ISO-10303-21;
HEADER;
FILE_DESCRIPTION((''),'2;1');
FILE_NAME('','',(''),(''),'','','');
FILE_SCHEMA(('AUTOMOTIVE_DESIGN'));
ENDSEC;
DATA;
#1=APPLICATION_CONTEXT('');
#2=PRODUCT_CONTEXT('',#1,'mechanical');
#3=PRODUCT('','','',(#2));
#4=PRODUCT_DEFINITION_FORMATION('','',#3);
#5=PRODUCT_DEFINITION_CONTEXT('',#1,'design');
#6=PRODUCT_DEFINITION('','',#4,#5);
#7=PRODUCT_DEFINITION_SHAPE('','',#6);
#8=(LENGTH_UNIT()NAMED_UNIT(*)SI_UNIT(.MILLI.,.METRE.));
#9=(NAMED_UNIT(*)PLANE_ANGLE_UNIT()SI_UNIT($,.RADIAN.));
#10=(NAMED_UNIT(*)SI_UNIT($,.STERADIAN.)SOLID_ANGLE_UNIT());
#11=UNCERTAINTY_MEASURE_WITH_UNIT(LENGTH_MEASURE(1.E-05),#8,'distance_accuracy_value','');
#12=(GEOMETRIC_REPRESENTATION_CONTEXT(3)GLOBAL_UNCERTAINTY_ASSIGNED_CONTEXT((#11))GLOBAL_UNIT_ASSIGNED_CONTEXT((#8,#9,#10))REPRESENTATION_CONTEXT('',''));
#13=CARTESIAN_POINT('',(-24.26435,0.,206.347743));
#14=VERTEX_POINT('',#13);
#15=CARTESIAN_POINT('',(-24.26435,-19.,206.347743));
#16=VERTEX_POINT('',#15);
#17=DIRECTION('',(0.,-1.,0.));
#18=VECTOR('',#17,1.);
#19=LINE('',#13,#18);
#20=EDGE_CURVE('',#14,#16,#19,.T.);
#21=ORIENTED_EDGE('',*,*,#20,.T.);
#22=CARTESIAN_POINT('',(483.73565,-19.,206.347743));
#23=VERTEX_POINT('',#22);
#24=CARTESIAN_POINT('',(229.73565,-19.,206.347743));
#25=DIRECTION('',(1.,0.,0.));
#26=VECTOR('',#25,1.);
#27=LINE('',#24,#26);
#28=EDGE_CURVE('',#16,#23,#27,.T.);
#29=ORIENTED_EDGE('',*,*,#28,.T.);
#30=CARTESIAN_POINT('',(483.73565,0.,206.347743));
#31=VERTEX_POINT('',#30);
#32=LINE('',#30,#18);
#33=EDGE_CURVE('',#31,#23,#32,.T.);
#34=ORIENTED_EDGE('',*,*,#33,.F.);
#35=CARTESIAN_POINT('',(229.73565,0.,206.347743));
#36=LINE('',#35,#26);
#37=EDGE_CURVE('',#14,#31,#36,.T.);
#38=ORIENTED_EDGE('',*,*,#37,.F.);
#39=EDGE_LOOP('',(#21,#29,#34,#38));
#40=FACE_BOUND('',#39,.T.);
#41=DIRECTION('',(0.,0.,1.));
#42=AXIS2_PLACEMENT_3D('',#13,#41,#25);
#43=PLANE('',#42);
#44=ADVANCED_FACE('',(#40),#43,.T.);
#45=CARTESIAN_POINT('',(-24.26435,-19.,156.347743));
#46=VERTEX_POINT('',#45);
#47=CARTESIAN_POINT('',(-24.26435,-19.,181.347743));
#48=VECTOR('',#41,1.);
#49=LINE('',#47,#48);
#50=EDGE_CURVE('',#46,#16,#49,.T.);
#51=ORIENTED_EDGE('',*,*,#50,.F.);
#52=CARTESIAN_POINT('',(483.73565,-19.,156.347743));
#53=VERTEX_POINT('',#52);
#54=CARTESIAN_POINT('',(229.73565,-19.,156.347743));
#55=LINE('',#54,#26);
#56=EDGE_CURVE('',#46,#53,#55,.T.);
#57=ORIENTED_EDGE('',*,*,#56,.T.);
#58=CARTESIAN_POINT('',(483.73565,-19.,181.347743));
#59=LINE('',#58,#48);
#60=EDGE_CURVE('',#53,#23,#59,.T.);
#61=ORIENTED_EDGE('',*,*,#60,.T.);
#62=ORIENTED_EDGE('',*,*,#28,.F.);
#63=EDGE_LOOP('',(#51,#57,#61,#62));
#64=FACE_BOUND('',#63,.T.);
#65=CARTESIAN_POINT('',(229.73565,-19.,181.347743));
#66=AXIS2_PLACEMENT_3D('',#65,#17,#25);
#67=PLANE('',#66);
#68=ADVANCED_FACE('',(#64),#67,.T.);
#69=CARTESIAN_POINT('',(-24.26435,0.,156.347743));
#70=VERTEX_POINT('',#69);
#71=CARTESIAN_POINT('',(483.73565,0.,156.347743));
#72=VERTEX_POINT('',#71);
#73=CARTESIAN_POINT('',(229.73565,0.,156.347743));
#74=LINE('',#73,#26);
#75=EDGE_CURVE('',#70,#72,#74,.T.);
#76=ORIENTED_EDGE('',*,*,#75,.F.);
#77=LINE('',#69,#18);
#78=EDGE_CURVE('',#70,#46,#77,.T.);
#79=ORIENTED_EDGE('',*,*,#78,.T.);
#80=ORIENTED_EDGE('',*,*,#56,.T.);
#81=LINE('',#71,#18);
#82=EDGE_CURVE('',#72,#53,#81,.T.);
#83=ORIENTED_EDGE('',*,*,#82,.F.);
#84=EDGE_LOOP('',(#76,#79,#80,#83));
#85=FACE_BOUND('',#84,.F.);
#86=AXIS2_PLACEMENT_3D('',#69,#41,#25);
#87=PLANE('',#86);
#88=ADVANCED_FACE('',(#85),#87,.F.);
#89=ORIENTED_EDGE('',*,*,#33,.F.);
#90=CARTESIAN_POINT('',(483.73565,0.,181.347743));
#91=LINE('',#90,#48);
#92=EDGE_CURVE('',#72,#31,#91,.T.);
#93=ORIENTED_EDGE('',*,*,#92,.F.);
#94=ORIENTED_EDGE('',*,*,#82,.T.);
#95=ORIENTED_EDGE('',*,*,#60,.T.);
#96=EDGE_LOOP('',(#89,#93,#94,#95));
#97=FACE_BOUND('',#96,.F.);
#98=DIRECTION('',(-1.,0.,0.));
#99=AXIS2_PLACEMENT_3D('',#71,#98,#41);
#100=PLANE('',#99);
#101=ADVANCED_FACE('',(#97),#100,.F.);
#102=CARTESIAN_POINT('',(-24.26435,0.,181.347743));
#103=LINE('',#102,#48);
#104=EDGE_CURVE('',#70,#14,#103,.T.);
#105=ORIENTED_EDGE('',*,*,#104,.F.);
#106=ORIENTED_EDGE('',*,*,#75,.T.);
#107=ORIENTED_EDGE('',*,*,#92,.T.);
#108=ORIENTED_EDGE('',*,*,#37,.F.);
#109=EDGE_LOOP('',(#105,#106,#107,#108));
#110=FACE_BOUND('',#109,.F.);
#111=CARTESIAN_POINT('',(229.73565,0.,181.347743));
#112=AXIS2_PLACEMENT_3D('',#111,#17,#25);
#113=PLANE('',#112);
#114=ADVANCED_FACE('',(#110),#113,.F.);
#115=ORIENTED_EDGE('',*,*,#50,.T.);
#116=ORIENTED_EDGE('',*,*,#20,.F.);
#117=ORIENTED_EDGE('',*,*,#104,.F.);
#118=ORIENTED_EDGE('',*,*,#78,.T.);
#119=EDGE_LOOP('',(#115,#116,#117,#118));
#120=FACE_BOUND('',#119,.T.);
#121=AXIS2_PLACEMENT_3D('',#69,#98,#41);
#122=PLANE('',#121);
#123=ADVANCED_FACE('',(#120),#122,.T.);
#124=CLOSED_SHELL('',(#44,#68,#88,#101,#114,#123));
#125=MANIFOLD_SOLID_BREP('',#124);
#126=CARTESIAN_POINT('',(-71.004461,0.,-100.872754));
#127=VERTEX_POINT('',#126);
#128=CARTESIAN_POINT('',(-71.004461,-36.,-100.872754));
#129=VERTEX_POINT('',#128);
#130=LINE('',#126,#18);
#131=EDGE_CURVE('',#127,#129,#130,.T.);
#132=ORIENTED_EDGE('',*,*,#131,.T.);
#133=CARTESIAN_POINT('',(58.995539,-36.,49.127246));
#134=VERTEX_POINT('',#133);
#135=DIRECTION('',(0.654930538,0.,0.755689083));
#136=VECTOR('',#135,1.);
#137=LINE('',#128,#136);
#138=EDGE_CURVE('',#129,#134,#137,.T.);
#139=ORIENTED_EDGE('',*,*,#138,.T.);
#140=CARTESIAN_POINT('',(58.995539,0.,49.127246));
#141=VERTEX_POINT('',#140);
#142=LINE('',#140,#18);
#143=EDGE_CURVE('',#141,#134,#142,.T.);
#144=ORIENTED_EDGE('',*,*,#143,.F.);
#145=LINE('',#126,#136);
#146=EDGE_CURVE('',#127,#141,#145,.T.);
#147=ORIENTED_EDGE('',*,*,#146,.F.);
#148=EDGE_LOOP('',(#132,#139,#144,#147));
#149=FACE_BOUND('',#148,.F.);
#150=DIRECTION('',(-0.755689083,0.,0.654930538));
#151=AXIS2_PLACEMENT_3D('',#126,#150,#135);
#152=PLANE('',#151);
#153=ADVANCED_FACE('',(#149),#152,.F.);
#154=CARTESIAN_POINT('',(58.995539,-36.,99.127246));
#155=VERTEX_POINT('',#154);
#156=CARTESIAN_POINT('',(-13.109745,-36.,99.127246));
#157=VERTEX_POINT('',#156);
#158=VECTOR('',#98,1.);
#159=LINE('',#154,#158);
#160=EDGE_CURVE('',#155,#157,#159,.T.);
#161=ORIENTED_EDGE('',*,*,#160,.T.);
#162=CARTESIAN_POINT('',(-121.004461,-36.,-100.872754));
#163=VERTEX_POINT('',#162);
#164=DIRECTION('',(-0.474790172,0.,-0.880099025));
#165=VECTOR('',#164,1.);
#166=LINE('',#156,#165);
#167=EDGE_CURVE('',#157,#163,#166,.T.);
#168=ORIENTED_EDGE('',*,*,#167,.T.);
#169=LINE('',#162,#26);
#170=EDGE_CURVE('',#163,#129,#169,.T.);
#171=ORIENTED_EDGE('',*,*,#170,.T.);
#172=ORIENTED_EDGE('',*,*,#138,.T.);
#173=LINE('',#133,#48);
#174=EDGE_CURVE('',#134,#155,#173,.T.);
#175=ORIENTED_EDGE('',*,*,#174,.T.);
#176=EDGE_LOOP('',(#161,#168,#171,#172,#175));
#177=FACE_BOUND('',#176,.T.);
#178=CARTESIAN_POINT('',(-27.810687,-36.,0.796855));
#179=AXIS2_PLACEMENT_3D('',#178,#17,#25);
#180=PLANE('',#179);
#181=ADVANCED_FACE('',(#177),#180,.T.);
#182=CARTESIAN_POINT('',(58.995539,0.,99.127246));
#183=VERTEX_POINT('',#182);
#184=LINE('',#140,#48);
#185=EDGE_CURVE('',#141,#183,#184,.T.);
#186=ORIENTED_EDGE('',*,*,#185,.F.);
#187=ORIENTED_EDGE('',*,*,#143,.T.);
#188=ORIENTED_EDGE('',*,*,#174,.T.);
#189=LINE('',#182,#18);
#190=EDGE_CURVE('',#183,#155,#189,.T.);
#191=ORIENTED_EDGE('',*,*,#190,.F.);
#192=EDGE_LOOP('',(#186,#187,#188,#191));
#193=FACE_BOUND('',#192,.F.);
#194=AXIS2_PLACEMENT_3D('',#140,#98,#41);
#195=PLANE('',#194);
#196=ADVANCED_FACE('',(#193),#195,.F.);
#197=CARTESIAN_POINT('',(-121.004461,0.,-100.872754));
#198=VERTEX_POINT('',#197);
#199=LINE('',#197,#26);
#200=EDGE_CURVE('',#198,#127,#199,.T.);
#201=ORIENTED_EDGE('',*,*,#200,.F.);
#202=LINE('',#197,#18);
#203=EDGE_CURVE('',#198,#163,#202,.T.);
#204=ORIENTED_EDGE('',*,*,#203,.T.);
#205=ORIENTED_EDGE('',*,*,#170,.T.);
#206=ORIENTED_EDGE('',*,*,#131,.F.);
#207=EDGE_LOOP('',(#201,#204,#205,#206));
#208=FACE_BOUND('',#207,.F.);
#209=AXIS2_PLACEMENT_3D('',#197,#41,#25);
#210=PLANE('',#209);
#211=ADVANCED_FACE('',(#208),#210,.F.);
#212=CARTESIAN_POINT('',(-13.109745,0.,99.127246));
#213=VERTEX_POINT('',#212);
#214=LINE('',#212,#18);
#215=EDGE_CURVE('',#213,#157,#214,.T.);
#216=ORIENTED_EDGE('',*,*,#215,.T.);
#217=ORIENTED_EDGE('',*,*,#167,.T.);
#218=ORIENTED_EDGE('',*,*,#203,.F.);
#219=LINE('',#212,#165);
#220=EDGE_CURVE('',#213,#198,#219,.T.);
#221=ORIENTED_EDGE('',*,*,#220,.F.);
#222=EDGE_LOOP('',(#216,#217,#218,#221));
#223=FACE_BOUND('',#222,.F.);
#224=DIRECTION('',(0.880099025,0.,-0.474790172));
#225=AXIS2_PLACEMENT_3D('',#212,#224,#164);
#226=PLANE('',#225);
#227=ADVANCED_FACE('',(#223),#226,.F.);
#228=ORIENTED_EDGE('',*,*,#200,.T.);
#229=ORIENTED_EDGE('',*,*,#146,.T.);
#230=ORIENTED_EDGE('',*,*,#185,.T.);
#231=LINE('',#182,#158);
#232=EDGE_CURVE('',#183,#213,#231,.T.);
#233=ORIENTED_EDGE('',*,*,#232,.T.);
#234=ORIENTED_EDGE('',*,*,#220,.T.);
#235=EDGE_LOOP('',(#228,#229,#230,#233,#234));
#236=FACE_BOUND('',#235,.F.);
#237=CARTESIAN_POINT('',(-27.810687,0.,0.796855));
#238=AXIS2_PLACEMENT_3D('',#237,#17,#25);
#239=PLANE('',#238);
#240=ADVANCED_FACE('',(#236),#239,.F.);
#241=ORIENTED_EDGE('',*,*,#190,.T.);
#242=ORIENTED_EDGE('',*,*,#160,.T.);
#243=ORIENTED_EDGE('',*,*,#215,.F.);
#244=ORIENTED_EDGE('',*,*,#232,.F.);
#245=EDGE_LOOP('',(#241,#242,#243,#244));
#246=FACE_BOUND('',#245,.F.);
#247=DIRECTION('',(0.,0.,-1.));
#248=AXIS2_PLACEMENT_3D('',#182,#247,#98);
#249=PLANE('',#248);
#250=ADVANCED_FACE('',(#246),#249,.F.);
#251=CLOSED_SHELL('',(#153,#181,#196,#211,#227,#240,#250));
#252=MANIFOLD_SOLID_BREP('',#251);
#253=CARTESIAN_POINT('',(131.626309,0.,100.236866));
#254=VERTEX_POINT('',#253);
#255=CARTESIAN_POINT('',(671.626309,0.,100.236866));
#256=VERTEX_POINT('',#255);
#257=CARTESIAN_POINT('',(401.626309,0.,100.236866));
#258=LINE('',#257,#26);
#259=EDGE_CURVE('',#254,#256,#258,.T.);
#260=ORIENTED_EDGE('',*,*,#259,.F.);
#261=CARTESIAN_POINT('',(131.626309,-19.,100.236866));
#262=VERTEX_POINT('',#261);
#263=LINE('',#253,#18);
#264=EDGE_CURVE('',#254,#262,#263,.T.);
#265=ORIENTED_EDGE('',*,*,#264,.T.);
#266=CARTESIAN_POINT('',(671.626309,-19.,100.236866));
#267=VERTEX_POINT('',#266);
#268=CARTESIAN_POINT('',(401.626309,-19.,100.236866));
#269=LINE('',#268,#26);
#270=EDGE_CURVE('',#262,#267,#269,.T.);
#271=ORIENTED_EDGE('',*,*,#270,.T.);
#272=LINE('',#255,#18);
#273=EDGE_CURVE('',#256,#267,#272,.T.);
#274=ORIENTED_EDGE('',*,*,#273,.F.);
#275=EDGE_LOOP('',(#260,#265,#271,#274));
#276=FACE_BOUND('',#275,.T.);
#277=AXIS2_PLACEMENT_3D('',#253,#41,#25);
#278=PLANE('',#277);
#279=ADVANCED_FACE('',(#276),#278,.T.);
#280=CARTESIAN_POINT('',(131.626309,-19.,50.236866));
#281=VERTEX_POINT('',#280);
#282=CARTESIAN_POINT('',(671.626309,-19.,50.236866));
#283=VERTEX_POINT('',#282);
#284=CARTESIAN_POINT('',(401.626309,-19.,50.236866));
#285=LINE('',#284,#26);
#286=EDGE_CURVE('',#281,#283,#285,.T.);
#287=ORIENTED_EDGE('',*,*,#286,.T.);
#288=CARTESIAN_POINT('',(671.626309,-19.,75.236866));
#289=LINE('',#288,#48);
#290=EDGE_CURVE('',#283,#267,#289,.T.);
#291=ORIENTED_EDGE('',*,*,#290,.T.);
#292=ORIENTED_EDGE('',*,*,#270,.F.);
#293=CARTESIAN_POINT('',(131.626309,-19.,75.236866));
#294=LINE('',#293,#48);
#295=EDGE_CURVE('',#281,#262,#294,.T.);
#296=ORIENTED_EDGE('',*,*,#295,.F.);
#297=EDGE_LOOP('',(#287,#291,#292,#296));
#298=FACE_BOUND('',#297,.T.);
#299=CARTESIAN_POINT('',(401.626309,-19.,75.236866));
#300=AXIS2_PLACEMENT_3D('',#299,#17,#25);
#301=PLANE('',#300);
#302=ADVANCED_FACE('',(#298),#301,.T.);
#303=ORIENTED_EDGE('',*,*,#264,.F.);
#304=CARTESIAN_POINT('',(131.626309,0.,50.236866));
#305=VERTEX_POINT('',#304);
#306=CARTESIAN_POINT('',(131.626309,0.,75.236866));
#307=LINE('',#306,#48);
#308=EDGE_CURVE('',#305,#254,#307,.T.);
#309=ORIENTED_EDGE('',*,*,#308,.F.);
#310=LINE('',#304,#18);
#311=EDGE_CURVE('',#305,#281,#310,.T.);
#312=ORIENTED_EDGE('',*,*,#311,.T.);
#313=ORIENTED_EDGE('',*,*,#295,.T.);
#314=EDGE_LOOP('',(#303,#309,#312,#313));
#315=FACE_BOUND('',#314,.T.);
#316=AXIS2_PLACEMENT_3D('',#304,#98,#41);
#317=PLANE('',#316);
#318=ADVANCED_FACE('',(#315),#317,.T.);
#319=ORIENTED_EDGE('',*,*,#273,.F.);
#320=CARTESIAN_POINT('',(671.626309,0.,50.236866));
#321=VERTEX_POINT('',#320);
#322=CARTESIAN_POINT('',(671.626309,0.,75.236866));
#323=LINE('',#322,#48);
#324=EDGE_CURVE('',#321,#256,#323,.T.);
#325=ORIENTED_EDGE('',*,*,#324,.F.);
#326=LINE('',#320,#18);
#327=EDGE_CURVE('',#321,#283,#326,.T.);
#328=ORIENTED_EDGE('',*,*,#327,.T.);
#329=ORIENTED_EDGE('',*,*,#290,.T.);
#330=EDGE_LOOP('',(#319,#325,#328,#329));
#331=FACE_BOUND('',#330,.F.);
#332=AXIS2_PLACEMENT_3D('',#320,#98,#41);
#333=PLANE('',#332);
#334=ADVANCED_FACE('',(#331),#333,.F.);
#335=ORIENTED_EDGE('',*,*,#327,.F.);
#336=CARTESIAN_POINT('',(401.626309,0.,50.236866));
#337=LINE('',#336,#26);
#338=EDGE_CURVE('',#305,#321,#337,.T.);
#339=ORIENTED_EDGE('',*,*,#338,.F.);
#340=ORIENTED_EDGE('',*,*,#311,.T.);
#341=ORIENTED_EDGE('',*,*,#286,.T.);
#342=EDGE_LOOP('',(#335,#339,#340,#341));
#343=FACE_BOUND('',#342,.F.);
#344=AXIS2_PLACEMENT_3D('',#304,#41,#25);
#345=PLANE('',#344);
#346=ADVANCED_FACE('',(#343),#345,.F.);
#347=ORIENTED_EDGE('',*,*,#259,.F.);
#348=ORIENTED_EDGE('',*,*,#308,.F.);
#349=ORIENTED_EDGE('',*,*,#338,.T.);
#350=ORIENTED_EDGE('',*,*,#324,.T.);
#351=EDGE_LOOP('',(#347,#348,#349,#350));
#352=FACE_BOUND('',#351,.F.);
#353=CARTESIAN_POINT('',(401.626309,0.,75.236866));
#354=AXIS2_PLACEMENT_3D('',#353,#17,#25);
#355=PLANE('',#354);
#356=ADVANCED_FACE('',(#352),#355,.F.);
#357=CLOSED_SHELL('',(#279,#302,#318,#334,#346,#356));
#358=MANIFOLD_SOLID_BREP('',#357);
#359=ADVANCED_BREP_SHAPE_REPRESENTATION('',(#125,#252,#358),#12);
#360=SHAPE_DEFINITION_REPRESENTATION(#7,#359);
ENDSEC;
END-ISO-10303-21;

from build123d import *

# Parameters (mm, degrees)
F1_DEPTH = 36
F2_W     = 540
F2_H     = 50
F3_DEPTH = 19
F4_W     = 508
F4_H     = 50
F5_DEPTH = 19


with BuildPart() as f1:
    # F0 (on Front) → F1 (new body)
    with BuildSketch(Plane.XZ):
        Polygon((58.995539, 99.127246), (-13.109745, 99.127246), (-121.004461, -100.872754), (-71.004461, -100.872754), (58.995539, 49.127246), align=None)
    extrude(amount=F1_DEPTH)


with BuildPart() as f3:
    # F2 (on Front) → F3 (new body)
    with BuildSketch(Plane.XZ):
        with Locations((401.626309, 75.236866)):
            Rectangle(F2_W, F2_H)
    extrude(amount=F3_DEPTH)


with BuildPart() as f5:
    # F4 (on Front) → F5 (new body)
    with BuildSketch(Plane.XZ):
        with Locations((229.73565, 181.347743)):
            Rectangle(F4_W, F4_H)
    extrude(amount=F5_DEPTH)


solid = Compound([f1.part, f3.part, f5.part])
